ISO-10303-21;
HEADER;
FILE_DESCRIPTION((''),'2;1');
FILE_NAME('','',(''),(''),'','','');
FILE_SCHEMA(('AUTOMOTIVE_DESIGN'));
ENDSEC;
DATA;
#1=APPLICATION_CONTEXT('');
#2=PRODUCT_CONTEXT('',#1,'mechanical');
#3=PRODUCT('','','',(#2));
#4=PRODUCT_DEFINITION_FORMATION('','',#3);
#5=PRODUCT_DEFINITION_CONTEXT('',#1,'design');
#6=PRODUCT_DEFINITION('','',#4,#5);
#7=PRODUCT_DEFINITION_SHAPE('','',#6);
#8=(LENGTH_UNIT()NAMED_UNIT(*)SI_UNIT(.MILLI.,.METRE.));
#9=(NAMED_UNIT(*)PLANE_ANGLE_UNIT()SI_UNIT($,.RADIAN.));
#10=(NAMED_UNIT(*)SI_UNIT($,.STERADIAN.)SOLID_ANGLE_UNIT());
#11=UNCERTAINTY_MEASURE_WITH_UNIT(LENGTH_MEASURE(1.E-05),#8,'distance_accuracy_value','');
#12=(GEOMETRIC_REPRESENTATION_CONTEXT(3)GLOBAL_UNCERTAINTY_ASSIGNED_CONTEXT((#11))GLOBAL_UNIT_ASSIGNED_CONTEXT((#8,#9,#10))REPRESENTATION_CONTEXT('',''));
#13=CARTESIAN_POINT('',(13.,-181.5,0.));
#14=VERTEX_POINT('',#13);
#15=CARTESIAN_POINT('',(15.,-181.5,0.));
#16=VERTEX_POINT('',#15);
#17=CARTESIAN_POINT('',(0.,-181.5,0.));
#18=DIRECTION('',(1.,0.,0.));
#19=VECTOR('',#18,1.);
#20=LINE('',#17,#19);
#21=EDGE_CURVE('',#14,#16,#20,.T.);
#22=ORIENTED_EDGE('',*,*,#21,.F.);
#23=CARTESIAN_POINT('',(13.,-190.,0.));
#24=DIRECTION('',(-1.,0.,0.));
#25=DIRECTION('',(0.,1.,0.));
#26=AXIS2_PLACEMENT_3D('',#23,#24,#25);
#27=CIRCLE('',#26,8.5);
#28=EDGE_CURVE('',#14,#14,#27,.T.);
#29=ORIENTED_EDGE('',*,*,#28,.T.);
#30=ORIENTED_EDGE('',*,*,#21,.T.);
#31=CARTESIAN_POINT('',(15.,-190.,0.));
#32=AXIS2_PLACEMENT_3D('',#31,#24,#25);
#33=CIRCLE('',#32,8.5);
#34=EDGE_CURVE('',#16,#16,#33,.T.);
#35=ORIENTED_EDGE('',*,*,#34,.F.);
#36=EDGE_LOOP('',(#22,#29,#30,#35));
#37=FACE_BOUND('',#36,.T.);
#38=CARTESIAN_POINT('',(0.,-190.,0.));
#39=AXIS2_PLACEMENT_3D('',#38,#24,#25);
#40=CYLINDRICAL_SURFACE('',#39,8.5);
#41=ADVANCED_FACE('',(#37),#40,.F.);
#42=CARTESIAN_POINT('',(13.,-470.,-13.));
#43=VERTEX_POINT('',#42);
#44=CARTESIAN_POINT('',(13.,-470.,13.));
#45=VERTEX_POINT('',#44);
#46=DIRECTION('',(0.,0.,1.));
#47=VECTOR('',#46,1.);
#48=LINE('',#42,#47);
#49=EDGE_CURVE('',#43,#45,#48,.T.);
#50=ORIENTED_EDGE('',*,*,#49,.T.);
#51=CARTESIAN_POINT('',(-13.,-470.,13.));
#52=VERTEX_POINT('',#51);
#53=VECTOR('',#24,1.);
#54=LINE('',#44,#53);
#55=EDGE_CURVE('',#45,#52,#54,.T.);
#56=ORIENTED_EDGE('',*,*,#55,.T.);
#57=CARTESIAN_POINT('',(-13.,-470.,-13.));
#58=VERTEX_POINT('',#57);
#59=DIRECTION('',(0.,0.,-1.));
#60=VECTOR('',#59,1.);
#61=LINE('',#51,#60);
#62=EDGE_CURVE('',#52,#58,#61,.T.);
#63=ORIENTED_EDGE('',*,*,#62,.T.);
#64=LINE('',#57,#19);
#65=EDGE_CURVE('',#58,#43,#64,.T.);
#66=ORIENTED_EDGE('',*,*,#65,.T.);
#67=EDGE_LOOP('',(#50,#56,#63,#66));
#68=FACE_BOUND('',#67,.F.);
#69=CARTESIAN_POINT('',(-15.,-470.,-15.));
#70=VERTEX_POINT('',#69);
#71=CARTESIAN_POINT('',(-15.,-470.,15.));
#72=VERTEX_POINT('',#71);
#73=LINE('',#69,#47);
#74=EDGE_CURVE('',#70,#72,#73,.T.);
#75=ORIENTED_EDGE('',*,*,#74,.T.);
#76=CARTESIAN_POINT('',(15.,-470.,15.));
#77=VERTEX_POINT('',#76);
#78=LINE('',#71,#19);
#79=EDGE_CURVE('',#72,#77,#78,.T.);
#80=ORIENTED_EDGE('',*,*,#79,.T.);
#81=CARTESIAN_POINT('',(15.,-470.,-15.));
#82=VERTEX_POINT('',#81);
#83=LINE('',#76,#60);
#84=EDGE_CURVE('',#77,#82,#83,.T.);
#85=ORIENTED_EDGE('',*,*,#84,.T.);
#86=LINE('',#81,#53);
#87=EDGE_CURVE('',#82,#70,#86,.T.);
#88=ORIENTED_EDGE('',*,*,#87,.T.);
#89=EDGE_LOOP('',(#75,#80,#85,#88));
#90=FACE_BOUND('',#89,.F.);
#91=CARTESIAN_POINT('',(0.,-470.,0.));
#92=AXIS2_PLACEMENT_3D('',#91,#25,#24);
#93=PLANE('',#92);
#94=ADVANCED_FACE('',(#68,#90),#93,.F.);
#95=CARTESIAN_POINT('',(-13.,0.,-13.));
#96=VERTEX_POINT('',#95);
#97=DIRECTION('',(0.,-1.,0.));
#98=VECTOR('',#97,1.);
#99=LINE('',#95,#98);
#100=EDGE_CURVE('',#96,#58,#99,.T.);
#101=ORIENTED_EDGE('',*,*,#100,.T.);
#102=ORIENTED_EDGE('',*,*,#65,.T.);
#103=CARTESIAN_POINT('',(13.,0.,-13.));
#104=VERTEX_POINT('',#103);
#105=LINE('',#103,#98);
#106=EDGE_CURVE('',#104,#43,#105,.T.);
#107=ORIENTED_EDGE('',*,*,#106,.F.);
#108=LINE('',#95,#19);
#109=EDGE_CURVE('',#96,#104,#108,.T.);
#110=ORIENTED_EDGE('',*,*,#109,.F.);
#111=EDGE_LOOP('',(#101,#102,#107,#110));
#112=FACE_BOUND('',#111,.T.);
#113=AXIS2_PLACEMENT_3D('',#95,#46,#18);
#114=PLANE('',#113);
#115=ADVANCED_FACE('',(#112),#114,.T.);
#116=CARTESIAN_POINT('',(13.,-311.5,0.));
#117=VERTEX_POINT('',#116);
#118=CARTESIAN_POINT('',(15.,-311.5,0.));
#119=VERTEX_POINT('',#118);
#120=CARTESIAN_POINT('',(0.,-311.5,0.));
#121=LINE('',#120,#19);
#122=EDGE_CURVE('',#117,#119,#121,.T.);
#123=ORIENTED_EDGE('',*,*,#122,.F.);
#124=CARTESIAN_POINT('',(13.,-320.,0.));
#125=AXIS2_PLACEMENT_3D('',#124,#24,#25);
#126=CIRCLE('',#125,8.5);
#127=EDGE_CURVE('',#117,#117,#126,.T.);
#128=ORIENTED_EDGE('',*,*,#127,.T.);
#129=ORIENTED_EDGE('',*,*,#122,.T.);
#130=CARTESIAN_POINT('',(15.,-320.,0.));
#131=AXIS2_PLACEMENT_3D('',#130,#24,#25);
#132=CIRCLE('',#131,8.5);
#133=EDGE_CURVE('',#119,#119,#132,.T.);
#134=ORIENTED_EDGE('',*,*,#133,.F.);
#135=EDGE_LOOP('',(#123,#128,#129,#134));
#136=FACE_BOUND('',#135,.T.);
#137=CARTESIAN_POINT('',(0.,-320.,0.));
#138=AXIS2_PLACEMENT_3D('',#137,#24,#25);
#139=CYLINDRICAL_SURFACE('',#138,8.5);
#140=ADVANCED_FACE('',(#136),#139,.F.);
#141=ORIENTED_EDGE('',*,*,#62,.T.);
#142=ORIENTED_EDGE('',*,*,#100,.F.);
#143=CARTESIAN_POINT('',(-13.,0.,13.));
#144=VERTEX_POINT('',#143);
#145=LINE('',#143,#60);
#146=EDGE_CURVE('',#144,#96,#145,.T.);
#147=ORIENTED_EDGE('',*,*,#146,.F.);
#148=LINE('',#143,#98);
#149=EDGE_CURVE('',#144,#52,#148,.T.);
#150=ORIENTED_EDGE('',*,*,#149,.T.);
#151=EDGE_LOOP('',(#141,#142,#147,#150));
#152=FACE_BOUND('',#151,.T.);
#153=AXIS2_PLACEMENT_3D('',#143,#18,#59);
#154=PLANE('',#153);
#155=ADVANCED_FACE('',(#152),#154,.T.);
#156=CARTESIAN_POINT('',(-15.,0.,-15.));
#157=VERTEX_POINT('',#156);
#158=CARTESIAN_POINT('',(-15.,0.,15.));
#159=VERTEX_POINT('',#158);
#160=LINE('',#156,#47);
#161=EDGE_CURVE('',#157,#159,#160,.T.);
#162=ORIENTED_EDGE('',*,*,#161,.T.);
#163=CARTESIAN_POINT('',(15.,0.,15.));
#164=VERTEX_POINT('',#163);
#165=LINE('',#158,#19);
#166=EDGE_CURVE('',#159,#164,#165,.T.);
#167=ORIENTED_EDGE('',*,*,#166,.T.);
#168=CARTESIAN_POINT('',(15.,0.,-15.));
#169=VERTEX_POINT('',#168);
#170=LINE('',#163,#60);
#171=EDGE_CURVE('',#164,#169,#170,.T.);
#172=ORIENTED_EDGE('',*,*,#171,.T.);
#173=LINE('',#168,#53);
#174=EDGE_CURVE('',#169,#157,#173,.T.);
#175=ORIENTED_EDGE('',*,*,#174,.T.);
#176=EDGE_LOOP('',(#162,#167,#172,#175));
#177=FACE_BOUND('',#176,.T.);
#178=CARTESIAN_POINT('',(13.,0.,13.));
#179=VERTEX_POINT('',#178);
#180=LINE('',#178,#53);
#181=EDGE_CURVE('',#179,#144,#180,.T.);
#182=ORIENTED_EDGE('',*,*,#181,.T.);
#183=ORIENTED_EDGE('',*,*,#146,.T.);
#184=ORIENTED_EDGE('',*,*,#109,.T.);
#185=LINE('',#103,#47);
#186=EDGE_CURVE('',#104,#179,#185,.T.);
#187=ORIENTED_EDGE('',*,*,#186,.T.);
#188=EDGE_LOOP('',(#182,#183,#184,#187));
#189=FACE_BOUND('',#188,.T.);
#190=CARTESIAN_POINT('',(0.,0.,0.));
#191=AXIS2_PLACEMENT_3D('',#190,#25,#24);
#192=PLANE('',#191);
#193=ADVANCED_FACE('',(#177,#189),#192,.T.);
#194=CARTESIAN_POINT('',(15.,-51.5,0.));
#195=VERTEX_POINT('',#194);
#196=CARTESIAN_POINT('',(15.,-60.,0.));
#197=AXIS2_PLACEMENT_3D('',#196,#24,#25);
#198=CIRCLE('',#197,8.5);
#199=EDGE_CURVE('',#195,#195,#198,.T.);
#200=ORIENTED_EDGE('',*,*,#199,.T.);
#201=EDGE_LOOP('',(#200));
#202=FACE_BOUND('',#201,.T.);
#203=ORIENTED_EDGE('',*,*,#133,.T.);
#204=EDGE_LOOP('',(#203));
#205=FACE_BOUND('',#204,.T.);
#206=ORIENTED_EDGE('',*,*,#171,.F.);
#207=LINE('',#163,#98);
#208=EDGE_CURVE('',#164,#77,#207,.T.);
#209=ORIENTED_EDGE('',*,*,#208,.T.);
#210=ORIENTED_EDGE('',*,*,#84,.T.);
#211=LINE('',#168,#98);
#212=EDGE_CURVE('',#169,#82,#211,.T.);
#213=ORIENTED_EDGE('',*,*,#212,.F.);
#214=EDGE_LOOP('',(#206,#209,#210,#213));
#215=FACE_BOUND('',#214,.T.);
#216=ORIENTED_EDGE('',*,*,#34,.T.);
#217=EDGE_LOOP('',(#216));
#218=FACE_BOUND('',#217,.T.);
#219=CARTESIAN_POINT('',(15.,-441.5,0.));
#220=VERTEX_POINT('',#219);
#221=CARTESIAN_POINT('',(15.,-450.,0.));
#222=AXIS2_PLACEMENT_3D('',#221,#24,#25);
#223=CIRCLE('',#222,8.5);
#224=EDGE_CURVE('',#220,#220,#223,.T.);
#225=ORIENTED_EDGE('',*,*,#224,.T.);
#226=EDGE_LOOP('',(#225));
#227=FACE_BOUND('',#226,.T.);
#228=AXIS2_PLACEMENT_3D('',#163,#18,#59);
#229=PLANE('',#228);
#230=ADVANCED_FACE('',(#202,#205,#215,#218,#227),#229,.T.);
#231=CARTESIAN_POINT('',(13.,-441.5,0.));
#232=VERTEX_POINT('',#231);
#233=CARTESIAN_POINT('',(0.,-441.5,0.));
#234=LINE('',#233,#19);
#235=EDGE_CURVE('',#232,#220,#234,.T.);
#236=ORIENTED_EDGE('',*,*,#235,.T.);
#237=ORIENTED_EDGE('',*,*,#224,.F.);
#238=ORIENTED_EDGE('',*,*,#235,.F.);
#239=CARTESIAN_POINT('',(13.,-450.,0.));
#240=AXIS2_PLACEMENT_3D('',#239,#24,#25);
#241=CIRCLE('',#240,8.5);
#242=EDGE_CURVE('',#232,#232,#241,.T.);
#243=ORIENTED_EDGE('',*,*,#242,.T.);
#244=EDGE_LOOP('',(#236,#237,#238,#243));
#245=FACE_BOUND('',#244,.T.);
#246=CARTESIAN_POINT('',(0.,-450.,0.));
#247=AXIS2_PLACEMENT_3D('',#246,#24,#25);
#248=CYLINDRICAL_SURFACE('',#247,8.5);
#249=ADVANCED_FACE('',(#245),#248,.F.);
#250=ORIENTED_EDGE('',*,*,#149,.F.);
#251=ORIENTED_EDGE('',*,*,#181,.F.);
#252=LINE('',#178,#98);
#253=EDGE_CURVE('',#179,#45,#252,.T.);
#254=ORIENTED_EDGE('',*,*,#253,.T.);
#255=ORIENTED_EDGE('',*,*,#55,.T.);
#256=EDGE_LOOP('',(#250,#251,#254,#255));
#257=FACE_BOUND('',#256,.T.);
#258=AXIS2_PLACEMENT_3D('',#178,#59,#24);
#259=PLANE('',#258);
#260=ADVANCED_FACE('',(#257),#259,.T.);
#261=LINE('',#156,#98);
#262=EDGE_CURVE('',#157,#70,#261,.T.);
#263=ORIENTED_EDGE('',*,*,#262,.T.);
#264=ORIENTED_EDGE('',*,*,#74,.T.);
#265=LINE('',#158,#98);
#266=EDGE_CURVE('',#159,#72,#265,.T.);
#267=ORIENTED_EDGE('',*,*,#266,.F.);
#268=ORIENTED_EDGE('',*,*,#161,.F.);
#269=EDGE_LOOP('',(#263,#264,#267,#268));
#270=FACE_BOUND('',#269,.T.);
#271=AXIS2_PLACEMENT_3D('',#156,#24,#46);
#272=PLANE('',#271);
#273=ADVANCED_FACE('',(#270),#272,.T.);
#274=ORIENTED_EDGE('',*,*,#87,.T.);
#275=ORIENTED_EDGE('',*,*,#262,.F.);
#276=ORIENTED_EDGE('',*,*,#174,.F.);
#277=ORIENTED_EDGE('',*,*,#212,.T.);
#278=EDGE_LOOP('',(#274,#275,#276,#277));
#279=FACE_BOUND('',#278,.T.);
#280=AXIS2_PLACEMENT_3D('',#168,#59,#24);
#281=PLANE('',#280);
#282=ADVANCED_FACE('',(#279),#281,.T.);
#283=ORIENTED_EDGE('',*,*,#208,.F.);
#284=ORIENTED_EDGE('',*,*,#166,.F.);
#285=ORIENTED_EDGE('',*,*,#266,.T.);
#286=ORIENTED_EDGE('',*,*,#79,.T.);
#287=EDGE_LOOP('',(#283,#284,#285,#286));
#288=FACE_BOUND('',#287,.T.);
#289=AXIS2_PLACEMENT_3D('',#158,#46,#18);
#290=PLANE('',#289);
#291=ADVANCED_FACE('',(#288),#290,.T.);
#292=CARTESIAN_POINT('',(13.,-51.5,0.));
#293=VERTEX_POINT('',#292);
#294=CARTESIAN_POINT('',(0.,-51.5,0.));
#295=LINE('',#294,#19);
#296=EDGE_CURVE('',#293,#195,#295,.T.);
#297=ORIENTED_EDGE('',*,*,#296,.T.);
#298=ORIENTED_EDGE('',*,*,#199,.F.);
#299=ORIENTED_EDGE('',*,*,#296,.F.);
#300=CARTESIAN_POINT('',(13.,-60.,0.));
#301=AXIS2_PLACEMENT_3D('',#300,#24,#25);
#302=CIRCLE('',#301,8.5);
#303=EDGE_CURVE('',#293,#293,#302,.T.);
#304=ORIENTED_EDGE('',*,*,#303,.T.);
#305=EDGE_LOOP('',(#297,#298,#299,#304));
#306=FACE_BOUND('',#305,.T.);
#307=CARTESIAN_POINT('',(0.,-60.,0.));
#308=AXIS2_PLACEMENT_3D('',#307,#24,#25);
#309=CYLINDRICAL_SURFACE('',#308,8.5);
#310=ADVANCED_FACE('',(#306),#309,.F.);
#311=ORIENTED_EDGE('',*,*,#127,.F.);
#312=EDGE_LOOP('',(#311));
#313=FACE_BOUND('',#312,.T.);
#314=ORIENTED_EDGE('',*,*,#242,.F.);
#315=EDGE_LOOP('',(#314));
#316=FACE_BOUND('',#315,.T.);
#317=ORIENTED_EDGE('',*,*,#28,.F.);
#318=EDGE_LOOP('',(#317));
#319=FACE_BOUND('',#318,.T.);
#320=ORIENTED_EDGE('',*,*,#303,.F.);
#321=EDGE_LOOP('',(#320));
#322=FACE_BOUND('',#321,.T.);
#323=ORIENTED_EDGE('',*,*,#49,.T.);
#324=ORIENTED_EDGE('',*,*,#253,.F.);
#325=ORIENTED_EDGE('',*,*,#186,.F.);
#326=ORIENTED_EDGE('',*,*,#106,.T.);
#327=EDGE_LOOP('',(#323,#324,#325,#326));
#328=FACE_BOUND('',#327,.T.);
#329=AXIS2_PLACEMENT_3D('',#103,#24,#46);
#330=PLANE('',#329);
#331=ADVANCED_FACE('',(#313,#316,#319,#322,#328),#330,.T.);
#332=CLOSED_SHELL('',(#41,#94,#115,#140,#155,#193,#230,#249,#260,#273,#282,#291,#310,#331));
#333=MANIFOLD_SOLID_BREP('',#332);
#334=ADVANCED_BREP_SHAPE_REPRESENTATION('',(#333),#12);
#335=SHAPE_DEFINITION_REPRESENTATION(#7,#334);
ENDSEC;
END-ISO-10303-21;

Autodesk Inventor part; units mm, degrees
ref_plane "YZ Plane" through (0, 0, 0) normal (1, 0, 0) x (0, 1, 0)
ref_plane "XZ Plane" through (0, 0, 0) normal (0, 1, 0) x (-1, 0, 0)
ref_plane "XY Plane" through (0, 0, 0) normal (0, 0, 1) x (1, 0, 0)
sketch "Sketch9" plane through (0, 0, 0) normal (0, 1, 0) x (-1, 0, 0)
  line L0 (15, 15) -> (-15, 15)
  line L1 (-15, 15) -> (-15, -15)
  line L2 (-15, -15) -> (15, -15)
  line L3 (15, -15) -> (15, 15)
  line L4 (15, 15) -> (-15, -15) construction
  line L5 (-15, 15) -> (15, -15) construction
  line L6 (-13, 13) -> (13, 13)
  line L7 (13, 13) -> (13, -13)
  line L8 (13, -13) -> (-13, -13)
  line L9 (-13, -13) -> (-13, 13)
  point P0 (0, 0)
  dimension "d172" = 30
  dimension "d173" = 30
  dimension "d174" = 2
extrude "Extrusion3" add sketch "Sketch9" against normal blind 470
sketch "Sketch10" plane through (0, 0, 0) normal (1, 0, 0) x (0, 1, 0)
  line L0 (0, 15) -> (0, -15) construction
  line L1 (0, 15) -> (-470, 15) construction
  line L2 (-470, -15) -> (-470, 15) construction
  line L3 (0, -15) -> (-470, -15) construction
  line L4 (-68.5, 8.5) -> (-51.5, 8.5)
  line L5 (-51.5, 8.5) -> (-51.5, -8.5)
  line L6 (-51.5, -8.5) -> (-68.5, -8.5)
  line L7 (-68.5, -8.5) -> (-68.5, 8.5)
  line L8 (-68.5, 8.5) -> (-51.5, -8.5) construction
  line L9 (-51.5, 8.5) -> (-68.5, -8.5) construction
  line L10 (-198.5, 8.5) -> (-181.5, 8.5)
  line L11 (-181.5, 8.5) -> (-181.5, -8.5)
  line L12 (-181.5, -8.5) -> (-198.5, -8.5)
  line L13 (-198.5, -8.5) -> (-198.5, 8.5)
  line L14 (-198.5, 8.5) -> (-181.5, -8.5) construction
  line L15 (-181.5, 8.5) -> (-198.5, -8.5) construction
  line L16 (-328.5, 8.5) -> (-311.5, 8.5)
  line L17 (-311.5, 8.5) -> (-311.5, -8.5)
  line L18 (-311.5, -8.5) -> (-328.5, -8.5)
  line L19 (-328.5, -8.5) -> (-328.5, 8.5)
  line L20 (-328.5, 8.5) -> (-311.5, -8.5) construction
  line L21 (-311.5, 8.5) -> (-328.5, -8.5) construction
  circle A0 centre (-450, 0) radius 8.5
  line L22 (0, 0) -> (30, 0)
  circle A1 centre (-60, 0) radius 8.5
  circle A2 centre (-190, 0) radius 8.5
  circle A3 centre (-320, 0) radius 8.5
  dimension "d177" = 17
  dimension "d178" = 17
  dimension "d181" = 30
  dimension "d182" = 90
  dimension "d183" = 220
  dimension "d184" = 350
  dimension "d185" = 480
  dimension "d186" = 17
extrude "Extrusion4" cut sketch "Sketch10" along normal through all contours A1 | A2 | A3 | A0
properties part number "TZS 754 FDS 1200 way tube 1" material "Stainless Steel"
